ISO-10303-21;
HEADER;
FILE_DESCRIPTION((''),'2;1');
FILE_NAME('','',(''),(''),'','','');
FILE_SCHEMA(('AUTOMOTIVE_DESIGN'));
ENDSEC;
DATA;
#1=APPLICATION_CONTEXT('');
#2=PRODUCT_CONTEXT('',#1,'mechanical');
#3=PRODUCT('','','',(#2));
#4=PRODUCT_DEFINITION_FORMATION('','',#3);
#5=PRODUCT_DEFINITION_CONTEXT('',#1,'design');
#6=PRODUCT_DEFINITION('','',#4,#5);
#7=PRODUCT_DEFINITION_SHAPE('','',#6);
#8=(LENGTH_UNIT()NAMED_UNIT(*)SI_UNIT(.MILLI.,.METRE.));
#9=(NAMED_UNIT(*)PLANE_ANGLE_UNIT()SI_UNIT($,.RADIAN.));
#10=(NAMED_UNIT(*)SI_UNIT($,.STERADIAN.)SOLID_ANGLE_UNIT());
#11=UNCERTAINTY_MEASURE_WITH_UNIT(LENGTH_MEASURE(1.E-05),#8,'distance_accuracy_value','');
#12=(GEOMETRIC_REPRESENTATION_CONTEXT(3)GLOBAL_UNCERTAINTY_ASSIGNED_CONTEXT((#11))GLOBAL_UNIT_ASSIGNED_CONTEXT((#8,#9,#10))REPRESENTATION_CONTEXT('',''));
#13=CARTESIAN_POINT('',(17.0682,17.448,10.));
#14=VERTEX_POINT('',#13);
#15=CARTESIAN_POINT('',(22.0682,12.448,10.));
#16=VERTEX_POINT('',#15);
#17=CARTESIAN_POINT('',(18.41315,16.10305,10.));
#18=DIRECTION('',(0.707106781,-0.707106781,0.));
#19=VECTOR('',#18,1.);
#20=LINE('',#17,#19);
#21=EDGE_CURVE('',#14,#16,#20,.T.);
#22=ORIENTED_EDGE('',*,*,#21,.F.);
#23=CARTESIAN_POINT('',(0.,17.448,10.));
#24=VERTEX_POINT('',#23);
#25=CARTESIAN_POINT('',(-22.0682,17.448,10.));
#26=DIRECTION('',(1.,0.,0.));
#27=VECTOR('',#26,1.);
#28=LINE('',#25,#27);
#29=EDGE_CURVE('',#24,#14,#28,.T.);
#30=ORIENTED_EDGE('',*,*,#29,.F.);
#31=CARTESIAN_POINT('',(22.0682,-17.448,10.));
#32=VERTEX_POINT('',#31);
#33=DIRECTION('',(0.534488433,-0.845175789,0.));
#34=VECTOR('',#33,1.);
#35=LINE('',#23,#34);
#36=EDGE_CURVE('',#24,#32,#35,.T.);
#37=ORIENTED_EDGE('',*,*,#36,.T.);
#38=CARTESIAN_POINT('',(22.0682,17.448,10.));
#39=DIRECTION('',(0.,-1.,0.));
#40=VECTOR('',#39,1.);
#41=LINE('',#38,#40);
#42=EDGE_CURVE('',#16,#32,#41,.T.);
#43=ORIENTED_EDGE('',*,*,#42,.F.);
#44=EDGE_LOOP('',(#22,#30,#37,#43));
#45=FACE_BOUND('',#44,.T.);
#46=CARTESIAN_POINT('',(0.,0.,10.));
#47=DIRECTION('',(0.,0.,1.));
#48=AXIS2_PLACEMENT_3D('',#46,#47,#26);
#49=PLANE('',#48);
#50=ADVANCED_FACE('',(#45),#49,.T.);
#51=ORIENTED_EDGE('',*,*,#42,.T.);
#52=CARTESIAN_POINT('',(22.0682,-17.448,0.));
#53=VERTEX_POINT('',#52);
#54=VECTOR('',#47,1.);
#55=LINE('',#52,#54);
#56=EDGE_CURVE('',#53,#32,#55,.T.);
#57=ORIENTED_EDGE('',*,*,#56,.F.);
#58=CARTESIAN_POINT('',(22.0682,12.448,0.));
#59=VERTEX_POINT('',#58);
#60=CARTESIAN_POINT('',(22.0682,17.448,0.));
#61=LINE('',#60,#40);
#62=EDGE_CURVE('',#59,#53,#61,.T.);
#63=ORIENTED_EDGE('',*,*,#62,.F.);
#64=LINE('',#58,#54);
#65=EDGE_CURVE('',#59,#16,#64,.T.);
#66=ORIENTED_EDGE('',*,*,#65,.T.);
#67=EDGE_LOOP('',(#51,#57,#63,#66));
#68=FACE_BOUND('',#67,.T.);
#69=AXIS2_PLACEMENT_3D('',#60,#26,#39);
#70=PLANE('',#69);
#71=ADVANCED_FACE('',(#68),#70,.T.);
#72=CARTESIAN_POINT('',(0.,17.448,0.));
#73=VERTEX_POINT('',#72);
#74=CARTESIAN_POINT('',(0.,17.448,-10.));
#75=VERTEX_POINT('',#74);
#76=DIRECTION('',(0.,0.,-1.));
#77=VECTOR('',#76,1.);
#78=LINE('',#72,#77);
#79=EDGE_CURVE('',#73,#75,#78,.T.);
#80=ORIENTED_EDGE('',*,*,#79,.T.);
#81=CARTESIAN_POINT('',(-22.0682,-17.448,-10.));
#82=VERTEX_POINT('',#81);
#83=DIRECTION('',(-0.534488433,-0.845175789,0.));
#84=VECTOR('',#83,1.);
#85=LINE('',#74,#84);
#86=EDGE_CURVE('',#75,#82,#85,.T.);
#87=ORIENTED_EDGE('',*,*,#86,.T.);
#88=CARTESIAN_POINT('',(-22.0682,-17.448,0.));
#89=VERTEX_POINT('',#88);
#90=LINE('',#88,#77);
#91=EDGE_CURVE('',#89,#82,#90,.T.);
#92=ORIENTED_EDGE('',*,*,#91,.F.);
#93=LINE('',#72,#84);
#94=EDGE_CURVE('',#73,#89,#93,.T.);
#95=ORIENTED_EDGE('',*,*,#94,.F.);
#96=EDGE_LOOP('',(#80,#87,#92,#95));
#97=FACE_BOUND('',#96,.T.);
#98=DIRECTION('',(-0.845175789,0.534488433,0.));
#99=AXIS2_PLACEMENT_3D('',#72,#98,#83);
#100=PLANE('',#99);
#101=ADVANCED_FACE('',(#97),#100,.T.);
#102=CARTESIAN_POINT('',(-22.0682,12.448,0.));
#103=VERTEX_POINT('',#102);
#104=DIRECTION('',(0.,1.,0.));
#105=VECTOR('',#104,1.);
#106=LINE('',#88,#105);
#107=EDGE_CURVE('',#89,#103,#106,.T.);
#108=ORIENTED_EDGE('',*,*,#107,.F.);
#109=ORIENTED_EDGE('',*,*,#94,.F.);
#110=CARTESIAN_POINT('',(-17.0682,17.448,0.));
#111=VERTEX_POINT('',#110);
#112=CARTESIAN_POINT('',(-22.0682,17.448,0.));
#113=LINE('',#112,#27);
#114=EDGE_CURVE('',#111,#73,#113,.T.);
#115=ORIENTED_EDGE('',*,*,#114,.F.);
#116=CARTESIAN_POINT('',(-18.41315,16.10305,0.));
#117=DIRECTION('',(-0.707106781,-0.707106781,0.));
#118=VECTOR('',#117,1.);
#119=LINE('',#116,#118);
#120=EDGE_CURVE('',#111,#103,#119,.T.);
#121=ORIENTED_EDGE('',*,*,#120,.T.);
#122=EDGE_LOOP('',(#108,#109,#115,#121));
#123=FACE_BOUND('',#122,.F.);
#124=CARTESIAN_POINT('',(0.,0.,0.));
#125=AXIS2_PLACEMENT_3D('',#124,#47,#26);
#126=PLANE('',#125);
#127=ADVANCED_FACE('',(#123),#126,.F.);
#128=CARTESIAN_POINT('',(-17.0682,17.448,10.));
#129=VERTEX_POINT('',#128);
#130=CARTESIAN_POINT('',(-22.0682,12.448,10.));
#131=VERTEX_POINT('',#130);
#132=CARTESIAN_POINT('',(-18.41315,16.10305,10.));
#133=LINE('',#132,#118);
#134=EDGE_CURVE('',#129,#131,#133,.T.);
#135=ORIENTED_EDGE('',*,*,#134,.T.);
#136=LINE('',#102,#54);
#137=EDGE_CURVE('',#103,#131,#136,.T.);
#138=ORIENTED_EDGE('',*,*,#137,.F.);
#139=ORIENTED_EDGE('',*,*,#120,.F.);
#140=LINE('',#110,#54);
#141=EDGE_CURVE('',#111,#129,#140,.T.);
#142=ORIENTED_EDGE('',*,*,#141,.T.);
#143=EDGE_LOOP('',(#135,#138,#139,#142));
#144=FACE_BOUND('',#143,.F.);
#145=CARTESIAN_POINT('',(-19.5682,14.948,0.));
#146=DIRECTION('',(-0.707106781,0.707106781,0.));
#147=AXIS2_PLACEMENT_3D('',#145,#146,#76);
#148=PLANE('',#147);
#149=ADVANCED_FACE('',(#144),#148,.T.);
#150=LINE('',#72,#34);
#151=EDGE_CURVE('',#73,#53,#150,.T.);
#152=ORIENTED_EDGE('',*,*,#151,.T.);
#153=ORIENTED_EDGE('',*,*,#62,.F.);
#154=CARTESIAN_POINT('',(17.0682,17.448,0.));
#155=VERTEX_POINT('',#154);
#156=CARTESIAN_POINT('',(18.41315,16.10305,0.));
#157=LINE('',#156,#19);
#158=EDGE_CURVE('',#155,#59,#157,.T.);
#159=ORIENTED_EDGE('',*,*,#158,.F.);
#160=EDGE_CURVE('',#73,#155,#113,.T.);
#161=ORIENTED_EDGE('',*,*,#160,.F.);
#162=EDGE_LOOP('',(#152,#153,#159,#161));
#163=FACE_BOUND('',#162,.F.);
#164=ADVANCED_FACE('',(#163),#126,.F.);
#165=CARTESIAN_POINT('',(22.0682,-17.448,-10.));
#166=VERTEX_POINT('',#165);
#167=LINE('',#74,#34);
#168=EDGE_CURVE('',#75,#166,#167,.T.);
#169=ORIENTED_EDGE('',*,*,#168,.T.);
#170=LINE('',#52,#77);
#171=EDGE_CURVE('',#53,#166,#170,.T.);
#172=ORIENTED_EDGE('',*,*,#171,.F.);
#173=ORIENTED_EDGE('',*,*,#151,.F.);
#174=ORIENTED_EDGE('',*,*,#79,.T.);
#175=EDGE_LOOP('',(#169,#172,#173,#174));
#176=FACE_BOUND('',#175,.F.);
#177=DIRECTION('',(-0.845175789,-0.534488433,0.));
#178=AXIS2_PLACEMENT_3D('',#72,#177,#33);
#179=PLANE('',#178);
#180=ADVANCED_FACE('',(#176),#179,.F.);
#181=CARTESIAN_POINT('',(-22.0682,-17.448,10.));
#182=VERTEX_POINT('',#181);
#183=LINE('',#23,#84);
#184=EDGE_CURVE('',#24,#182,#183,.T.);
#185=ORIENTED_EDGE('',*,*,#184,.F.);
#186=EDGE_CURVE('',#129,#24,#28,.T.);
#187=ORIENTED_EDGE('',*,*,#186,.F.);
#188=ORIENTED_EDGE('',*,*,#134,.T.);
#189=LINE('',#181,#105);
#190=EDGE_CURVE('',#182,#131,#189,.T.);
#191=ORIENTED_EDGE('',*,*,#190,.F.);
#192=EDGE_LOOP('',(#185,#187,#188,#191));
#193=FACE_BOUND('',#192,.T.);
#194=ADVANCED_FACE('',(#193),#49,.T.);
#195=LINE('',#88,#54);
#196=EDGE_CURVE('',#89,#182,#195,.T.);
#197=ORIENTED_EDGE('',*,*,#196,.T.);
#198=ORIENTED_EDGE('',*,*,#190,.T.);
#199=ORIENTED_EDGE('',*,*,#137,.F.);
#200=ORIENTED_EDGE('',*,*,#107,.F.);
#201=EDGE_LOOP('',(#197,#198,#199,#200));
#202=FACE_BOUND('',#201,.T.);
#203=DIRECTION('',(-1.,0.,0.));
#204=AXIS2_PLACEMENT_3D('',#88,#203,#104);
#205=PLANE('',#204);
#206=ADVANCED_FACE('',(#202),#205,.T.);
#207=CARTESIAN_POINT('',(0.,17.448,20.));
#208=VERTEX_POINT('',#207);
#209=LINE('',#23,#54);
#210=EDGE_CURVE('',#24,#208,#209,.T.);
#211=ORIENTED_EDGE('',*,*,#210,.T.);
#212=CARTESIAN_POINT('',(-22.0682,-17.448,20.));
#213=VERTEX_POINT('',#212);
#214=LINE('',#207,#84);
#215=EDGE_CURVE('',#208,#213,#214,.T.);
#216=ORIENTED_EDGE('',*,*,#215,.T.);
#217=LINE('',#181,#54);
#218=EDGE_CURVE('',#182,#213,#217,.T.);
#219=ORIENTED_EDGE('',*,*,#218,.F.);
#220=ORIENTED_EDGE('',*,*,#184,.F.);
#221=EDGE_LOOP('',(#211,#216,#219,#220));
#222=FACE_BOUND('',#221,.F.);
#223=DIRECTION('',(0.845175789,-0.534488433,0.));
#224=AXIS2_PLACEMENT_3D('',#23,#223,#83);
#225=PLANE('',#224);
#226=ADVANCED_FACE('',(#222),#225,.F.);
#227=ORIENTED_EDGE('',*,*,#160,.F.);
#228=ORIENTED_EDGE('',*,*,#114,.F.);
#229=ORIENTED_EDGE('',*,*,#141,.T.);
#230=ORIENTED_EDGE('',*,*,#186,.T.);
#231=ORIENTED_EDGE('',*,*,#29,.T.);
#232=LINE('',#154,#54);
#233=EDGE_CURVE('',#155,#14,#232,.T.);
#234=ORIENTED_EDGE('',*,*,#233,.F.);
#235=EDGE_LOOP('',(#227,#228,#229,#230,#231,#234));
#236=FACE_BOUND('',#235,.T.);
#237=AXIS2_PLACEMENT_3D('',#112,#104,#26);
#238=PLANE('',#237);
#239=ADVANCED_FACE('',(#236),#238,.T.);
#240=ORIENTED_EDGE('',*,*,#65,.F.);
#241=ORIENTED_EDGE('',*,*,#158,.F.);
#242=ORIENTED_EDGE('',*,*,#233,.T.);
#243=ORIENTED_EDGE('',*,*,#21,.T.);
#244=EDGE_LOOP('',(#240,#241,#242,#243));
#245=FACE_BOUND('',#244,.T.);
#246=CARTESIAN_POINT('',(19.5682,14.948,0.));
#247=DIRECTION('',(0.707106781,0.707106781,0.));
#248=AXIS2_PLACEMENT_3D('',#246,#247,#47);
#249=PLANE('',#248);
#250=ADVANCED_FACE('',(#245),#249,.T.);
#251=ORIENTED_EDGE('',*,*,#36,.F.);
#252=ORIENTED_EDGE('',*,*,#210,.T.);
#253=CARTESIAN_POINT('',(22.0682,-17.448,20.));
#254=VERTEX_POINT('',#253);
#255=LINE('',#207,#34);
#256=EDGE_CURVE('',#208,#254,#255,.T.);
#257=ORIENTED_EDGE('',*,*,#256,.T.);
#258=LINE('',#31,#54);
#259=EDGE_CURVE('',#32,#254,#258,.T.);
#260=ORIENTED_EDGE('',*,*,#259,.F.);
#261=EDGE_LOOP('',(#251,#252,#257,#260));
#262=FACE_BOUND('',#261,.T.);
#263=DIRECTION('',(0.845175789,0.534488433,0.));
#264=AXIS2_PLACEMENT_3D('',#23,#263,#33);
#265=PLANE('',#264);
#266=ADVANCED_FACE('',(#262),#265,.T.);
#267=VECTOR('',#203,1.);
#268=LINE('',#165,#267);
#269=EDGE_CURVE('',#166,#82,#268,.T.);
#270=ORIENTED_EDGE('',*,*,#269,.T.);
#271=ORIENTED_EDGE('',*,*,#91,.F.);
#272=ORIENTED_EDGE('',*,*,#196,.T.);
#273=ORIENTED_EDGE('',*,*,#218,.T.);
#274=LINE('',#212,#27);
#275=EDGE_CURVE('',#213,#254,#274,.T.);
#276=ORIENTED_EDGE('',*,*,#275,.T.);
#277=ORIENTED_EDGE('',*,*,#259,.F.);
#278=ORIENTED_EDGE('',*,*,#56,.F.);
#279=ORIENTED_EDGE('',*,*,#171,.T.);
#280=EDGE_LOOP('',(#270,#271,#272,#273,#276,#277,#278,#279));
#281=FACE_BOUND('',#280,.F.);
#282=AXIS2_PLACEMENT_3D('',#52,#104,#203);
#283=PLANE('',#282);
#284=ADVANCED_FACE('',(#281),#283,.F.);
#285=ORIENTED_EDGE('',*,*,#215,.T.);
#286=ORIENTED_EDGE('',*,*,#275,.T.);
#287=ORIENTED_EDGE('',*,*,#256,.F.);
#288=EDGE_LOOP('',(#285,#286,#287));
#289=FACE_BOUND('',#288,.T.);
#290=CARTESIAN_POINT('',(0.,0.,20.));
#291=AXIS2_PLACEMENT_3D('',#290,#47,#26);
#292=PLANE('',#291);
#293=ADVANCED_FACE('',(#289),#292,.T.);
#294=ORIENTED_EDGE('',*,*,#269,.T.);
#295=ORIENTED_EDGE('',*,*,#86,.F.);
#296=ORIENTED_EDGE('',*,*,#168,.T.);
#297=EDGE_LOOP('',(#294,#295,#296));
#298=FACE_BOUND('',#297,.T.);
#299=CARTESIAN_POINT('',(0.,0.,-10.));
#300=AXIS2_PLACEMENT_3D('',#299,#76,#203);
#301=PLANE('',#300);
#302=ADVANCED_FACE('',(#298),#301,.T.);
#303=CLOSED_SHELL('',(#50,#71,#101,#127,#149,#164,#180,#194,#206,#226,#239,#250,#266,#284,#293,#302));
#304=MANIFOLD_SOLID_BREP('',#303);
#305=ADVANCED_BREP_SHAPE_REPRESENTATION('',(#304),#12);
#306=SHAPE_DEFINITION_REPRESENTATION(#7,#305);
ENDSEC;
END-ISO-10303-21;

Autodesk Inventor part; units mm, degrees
ref_plane "YZ Plane" through (0, 0, 0) normal (1, 0, 0) x (0, 1, 0)
ref_plane "XZ Plane" through (0, 0, 0) normal (0, 1, 0) x (-1, 0, 0)
ref_plane "XY Plane" through (0, 0, 0) normal (0, 0, 1) x (1, 0, 0)
sketch "스케치1" plane through (0, 0, 0) normal (0, 0, 1) x (1, 0, 0)
  line L0 (22.0682, -17.448) -> (-22.0682, -17.448)
  line L1 (-22.0682, -17.448) -> (-22.0682, 17.448)
  line L2 (-22.0682, 17.448) -> (22.0682, 17.448)
  line L3 (22.0682, 17.448) -> (22.0682, -17.448)
  line L4 (22.0682, -17.448) -> (-22.0682, 17.448) construction
  line L5 (-22.0682, -17.448) -> (22.0682, 17.448) construction
  point P0 (0, 0)
extrude "돌출1" add sketch "스케치1" along normal blind 10
sketch "스케치2" plane through (0, 0, 10) normal (0, 0, 1) x (1, 0, 0)
  line L0 (22.0682, 17.448) -> (-22.0682, 17.448) projected
  line L1 (-22.0682, -17.448) -> (22.0682, -17.448) projected
  line L2 (0, 17.448) -> (22.0682, -17.448)
  line L3 (0, 17.448) -> (-22.0682, -17.448)
  point P0 (0, 0)
extrude "돌출2" add sketch "스케치2" along normal blind 10
sketch "스케치3" plane through (0, 0, 0) normal (0, 0, -1) x (-1, 0, 0)
  line L0 (0, 17.448) -> (22.0682, 17.448) projected
  line L1 (-22.0682, -17.448) -> (22.0682, -17.448) projected
  line L2 (0, 17.448) -> (-22.0682, -17.448)
  line L3 (0, 17.448) -> (22.0682, -17.448) projected
  line L4 (22.0682, 17.448) -> (22.0682, -17.448) projected
  line L5 (0, 17.448) -> (22.0682, -17.448)
  point P0 (0, 0)
extrude "돌출3" add sketch "스케치3" along normal blind 10 contours L3 L1 L2
chamfer "모따기1" distance 5 angle 45 1 edges at (22.0682, 17.448, 5)
chamfer "모따기2" distance 5 angle 45 1 edges at (-22.0682, 17.448, 5)
properties part number "240503_3Dsketch08"
